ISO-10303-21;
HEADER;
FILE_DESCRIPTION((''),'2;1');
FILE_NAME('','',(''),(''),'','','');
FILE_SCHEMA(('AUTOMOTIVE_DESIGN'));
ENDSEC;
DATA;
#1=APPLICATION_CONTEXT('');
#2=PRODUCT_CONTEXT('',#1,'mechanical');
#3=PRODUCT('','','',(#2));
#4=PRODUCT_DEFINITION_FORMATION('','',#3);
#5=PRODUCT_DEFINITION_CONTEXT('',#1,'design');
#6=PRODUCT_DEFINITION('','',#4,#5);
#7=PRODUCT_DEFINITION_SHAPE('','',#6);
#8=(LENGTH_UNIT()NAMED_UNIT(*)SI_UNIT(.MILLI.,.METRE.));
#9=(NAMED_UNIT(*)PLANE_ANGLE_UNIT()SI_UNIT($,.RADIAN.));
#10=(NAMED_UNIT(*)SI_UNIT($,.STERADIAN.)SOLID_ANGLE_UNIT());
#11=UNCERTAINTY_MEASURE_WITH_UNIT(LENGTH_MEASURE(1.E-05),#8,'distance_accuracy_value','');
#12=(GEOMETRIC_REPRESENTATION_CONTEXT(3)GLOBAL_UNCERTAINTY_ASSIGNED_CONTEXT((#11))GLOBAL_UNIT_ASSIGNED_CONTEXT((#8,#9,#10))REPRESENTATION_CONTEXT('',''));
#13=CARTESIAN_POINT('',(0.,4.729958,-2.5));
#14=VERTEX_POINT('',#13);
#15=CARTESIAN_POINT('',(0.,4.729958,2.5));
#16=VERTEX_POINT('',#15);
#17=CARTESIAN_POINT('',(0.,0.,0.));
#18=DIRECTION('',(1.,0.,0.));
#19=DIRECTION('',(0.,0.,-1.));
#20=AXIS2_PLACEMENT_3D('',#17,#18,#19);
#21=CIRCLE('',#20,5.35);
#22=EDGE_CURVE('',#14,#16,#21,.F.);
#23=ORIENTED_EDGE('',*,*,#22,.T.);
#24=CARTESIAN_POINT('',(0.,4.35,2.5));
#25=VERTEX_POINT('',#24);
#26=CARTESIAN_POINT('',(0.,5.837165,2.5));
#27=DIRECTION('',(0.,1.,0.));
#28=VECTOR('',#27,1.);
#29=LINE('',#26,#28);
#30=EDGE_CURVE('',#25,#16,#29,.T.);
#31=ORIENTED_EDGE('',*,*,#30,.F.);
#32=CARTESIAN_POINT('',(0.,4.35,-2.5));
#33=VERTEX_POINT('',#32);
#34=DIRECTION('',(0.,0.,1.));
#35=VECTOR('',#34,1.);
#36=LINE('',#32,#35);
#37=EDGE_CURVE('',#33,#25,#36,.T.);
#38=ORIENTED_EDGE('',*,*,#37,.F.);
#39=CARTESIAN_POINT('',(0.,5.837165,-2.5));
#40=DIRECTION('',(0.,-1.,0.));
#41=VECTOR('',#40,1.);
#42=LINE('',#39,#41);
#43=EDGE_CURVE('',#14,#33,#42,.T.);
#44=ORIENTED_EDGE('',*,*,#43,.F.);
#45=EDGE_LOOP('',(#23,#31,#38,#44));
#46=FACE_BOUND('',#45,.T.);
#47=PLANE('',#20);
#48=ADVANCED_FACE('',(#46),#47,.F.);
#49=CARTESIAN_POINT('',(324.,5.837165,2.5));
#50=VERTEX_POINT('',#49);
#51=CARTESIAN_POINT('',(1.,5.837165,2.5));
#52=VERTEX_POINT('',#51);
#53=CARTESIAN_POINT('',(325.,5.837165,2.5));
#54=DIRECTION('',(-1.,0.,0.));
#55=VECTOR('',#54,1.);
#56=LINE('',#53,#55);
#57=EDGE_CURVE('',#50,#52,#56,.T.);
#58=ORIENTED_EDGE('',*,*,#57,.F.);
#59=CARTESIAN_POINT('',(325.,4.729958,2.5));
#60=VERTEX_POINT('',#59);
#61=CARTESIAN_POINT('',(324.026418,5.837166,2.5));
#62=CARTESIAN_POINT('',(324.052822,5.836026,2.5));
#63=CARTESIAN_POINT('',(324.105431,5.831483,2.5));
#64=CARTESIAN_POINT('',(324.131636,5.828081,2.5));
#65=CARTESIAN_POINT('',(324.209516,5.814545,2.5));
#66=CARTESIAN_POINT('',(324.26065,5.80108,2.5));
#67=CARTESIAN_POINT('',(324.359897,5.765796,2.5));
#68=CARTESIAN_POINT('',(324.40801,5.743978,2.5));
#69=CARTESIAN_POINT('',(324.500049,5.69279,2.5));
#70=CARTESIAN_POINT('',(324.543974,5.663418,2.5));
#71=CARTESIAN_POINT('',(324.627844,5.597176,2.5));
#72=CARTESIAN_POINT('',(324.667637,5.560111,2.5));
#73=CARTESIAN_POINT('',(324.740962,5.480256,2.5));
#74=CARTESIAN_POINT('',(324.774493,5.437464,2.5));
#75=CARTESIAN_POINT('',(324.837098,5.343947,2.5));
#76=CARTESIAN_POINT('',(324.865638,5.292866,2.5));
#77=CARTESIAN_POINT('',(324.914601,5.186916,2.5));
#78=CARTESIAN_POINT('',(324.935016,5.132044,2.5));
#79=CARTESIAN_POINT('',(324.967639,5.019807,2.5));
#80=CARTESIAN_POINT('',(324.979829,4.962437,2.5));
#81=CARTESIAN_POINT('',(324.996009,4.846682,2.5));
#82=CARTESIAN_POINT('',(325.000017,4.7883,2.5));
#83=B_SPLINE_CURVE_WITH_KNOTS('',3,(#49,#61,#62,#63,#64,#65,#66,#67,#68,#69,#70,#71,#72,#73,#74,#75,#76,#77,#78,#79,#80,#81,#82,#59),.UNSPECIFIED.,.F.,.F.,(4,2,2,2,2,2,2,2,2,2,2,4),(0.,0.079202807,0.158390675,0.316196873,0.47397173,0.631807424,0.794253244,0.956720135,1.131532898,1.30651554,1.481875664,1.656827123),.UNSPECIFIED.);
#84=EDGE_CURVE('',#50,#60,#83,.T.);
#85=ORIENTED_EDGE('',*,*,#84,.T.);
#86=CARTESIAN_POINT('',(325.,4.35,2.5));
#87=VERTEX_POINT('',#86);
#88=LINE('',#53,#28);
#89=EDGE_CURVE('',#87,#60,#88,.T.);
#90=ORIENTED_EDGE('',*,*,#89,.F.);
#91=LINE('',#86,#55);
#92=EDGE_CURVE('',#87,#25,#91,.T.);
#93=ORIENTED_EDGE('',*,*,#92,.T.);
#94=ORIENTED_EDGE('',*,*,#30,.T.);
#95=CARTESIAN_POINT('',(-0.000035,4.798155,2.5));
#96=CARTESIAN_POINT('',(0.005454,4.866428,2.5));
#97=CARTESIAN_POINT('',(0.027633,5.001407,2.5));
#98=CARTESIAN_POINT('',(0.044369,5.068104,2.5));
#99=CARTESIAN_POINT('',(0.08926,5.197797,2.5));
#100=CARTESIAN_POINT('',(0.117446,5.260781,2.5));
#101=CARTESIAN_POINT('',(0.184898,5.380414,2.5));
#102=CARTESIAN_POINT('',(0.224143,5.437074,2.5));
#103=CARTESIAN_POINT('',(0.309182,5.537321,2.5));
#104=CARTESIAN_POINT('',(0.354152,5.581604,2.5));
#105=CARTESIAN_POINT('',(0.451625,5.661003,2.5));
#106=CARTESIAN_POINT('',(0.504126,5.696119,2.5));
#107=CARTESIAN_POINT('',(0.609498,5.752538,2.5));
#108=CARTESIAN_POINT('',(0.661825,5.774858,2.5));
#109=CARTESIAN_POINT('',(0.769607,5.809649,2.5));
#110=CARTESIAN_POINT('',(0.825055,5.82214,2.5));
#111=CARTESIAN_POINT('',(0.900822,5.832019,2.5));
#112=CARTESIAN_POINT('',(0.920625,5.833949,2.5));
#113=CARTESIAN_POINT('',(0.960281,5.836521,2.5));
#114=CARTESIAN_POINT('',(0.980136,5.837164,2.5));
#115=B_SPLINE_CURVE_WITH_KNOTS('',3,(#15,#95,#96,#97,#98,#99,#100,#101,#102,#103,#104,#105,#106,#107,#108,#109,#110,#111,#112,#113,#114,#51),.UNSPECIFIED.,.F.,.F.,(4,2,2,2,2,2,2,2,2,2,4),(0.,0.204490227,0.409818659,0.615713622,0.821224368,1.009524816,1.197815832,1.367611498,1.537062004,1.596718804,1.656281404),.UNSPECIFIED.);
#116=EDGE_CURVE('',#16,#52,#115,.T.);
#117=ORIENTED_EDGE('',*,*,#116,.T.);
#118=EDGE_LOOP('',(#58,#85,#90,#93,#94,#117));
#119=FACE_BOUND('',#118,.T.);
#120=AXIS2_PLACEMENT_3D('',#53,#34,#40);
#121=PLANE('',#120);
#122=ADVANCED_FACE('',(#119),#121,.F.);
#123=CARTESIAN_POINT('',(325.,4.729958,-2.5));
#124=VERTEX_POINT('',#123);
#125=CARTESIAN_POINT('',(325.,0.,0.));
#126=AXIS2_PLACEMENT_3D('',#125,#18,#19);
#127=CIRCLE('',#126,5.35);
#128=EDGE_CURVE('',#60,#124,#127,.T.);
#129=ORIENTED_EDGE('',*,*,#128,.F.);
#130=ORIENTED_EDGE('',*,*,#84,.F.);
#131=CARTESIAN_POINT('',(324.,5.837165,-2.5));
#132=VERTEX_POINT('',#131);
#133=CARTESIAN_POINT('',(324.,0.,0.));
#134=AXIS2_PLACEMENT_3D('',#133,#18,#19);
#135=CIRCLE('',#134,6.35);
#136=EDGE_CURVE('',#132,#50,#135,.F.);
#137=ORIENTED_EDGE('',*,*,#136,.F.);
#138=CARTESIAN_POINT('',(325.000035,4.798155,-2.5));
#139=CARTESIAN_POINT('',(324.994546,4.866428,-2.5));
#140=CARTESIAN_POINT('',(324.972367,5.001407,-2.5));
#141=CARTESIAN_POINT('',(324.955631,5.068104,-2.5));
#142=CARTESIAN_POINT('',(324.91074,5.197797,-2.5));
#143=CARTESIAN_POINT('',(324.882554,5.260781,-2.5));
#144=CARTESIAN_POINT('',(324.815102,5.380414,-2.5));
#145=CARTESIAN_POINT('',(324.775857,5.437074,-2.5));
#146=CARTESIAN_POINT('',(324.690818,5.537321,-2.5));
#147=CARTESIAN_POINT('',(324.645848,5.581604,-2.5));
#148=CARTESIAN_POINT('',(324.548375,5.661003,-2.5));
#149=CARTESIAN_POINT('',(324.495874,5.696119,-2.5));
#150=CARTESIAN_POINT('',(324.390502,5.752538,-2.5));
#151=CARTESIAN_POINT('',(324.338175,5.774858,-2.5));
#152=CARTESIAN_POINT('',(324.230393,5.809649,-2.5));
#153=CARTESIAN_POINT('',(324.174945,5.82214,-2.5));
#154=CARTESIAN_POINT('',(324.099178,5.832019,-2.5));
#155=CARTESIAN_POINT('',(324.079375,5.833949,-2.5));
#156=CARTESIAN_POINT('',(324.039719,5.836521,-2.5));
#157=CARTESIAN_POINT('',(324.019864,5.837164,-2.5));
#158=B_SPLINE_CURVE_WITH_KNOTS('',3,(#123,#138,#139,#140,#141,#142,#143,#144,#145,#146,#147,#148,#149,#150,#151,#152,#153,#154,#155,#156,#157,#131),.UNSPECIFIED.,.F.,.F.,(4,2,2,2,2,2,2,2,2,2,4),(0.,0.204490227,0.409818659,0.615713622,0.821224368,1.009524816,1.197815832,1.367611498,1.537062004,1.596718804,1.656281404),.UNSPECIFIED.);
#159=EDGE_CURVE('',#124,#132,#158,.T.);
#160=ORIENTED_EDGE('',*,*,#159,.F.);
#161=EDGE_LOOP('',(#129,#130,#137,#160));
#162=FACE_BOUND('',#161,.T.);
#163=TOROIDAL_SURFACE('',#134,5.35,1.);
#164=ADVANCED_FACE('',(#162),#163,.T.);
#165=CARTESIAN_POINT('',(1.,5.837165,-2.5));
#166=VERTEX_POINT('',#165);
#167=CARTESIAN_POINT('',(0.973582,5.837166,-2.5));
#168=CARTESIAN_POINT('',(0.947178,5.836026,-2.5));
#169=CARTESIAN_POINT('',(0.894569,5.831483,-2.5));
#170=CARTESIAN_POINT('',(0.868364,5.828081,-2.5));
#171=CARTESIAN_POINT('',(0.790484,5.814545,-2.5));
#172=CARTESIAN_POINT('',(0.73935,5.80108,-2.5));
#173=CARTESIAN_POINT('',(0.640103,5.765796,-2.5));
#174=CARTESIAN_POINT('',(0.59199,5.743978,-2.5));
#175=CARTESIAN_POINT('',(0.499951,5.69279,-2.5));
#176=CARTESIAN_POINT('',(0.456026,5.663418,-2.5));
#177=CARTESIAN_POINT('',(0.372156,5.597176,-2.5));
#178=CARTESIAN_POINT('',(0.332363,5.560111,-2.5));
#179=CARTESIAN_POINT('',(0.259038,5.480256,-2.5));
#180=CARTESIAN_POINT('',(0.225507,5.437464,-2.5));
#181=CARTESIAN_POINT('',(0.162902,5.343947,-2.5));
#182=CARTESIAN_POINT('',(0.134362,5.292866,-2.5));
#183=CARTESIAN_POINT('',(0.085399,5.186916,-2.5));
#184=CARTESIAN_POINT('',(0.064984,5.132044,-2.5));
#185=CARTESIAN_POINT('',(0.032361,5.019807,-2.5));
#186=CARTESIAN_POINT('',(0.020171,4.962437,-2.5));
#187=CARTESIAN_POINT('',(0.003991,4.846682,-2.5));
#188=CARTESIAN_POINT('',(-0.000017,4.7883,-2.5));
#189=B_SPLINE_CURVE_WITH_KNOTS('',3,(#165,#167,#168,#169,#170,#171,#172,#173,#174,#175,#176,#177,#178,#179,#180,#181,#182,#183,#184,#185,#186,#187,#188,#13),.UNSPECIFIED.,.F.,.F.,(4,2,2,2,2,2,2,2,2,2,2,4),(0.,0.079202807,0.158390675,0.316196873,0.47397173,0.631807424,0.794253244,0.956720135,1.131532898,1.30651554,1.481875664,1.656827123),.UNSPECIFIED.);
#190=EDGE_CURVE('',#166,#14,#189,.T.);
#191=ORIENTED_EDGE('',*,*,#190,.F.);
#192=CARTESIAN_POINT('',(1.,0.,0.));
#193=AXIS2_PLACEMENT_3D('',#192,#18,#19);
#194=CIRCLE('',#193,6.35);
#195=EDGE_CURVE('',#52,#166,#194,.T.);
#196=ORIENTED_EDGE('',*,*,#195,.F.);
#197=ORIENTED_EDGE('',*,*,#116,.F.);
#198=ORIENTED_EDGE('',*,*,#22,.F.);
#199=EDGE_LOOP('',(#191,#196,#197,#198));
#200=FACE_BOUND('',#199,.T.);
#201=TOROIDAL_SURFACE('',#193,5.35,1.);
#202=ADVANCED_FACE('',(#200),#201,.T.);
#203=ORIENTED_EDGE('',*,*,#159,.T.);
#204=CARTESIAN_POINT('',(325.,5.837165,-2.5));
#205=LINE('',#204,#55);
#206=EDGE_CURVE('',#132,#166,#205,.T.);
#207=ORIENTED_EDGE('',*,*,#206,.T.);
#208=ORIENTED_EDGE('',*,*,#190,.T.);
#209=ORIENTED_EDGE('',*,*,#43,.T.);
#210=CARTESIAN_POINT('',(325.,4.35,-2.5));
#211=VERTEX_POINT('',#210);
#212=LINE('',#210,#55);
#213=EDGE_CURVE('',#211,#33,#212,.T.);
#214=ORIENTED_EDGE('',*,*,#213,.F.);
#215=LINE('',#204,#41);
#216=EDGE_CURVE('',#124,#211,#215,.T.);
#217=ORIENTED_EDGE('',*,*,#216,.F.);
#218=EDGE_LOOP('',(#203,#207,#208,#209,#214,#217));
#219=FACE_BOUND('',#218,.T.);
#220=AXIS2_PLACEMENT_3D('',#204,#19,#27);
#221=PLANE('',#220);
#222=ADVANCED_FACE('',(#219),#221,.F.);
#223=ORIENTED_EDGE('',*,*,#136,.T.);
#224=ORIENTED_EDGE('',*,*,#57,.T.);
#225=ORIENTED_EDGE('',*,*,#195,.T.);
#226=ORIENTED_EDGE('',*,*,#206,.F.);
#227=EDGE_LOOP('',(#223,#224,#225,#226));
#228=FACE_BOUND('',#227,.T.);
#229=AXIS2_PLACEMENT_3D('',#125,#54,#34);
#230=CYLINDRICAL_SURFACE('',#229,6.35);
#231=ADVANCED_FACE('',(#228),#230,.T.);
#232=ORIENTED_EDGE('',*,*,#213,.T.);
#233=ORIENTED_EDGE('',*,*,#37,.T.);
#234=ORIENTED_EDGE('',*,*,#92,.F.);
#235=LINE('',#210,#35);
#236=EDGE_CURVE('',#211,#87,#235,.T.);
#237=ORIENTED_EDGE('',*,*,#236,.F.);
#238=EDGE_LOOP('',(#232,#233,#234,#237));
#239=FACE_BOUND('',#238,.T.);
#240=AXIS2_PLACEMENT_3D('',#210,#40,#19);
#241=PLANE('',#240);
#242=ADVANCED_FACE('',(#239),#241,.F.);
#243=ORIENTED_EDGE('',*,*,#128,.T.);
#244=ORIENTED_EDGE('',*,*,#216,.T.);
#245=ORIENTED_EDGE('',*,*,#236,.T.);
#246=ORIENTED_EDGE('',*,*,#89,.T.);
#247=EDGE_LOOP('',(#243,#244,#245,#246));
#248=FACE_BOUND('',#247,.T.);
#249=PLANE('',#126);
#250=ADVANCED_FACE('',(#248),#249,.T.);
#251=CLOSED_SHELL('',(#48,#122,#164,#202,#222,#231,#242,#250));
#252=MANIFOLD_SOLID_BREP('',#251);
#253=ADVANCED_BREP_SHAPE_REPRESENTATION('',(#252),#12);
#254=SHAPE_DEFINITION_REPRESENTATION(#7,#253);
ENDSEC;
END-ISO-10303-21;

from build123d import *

# Parameters (mm, degrees)
BOSS_EXTRUDE1_DEPTH = 325
FILLET1_R           = 1


with BuildPart() as part:
    # Sketch2 → Boss-Extrude1 (new body)
    with BuildSketch(Plane(origin=(0, 0, 0), x_dir=(0, 0, -1), z_dir=(1, 0, 0))):
        with BuildLine():
            Line((2.5, 5.837165408), (2.5, 4.35))
            Line((2.5, 4.35), (-2.5, 4.35))
            Line((-2.5, 4.35), (-2.5, 5.837165408))
            ThreePointArc((-2.5, 5.837165408), (0, -6.35), (2.5, 5.837165408))
        make_face()
    extrude(amount=BOSS_EXTRUDE1_DEPTH)

    # Fillet1
    fillet1_edges = [part.edges().sort_by_distance(p)[0] for p in [
        (0, -6.35, 0),
        (325, -6.35, 0),
    ]]
    fillet(fillet1_edges, radius=FILLET1_R)


solid = part.part
